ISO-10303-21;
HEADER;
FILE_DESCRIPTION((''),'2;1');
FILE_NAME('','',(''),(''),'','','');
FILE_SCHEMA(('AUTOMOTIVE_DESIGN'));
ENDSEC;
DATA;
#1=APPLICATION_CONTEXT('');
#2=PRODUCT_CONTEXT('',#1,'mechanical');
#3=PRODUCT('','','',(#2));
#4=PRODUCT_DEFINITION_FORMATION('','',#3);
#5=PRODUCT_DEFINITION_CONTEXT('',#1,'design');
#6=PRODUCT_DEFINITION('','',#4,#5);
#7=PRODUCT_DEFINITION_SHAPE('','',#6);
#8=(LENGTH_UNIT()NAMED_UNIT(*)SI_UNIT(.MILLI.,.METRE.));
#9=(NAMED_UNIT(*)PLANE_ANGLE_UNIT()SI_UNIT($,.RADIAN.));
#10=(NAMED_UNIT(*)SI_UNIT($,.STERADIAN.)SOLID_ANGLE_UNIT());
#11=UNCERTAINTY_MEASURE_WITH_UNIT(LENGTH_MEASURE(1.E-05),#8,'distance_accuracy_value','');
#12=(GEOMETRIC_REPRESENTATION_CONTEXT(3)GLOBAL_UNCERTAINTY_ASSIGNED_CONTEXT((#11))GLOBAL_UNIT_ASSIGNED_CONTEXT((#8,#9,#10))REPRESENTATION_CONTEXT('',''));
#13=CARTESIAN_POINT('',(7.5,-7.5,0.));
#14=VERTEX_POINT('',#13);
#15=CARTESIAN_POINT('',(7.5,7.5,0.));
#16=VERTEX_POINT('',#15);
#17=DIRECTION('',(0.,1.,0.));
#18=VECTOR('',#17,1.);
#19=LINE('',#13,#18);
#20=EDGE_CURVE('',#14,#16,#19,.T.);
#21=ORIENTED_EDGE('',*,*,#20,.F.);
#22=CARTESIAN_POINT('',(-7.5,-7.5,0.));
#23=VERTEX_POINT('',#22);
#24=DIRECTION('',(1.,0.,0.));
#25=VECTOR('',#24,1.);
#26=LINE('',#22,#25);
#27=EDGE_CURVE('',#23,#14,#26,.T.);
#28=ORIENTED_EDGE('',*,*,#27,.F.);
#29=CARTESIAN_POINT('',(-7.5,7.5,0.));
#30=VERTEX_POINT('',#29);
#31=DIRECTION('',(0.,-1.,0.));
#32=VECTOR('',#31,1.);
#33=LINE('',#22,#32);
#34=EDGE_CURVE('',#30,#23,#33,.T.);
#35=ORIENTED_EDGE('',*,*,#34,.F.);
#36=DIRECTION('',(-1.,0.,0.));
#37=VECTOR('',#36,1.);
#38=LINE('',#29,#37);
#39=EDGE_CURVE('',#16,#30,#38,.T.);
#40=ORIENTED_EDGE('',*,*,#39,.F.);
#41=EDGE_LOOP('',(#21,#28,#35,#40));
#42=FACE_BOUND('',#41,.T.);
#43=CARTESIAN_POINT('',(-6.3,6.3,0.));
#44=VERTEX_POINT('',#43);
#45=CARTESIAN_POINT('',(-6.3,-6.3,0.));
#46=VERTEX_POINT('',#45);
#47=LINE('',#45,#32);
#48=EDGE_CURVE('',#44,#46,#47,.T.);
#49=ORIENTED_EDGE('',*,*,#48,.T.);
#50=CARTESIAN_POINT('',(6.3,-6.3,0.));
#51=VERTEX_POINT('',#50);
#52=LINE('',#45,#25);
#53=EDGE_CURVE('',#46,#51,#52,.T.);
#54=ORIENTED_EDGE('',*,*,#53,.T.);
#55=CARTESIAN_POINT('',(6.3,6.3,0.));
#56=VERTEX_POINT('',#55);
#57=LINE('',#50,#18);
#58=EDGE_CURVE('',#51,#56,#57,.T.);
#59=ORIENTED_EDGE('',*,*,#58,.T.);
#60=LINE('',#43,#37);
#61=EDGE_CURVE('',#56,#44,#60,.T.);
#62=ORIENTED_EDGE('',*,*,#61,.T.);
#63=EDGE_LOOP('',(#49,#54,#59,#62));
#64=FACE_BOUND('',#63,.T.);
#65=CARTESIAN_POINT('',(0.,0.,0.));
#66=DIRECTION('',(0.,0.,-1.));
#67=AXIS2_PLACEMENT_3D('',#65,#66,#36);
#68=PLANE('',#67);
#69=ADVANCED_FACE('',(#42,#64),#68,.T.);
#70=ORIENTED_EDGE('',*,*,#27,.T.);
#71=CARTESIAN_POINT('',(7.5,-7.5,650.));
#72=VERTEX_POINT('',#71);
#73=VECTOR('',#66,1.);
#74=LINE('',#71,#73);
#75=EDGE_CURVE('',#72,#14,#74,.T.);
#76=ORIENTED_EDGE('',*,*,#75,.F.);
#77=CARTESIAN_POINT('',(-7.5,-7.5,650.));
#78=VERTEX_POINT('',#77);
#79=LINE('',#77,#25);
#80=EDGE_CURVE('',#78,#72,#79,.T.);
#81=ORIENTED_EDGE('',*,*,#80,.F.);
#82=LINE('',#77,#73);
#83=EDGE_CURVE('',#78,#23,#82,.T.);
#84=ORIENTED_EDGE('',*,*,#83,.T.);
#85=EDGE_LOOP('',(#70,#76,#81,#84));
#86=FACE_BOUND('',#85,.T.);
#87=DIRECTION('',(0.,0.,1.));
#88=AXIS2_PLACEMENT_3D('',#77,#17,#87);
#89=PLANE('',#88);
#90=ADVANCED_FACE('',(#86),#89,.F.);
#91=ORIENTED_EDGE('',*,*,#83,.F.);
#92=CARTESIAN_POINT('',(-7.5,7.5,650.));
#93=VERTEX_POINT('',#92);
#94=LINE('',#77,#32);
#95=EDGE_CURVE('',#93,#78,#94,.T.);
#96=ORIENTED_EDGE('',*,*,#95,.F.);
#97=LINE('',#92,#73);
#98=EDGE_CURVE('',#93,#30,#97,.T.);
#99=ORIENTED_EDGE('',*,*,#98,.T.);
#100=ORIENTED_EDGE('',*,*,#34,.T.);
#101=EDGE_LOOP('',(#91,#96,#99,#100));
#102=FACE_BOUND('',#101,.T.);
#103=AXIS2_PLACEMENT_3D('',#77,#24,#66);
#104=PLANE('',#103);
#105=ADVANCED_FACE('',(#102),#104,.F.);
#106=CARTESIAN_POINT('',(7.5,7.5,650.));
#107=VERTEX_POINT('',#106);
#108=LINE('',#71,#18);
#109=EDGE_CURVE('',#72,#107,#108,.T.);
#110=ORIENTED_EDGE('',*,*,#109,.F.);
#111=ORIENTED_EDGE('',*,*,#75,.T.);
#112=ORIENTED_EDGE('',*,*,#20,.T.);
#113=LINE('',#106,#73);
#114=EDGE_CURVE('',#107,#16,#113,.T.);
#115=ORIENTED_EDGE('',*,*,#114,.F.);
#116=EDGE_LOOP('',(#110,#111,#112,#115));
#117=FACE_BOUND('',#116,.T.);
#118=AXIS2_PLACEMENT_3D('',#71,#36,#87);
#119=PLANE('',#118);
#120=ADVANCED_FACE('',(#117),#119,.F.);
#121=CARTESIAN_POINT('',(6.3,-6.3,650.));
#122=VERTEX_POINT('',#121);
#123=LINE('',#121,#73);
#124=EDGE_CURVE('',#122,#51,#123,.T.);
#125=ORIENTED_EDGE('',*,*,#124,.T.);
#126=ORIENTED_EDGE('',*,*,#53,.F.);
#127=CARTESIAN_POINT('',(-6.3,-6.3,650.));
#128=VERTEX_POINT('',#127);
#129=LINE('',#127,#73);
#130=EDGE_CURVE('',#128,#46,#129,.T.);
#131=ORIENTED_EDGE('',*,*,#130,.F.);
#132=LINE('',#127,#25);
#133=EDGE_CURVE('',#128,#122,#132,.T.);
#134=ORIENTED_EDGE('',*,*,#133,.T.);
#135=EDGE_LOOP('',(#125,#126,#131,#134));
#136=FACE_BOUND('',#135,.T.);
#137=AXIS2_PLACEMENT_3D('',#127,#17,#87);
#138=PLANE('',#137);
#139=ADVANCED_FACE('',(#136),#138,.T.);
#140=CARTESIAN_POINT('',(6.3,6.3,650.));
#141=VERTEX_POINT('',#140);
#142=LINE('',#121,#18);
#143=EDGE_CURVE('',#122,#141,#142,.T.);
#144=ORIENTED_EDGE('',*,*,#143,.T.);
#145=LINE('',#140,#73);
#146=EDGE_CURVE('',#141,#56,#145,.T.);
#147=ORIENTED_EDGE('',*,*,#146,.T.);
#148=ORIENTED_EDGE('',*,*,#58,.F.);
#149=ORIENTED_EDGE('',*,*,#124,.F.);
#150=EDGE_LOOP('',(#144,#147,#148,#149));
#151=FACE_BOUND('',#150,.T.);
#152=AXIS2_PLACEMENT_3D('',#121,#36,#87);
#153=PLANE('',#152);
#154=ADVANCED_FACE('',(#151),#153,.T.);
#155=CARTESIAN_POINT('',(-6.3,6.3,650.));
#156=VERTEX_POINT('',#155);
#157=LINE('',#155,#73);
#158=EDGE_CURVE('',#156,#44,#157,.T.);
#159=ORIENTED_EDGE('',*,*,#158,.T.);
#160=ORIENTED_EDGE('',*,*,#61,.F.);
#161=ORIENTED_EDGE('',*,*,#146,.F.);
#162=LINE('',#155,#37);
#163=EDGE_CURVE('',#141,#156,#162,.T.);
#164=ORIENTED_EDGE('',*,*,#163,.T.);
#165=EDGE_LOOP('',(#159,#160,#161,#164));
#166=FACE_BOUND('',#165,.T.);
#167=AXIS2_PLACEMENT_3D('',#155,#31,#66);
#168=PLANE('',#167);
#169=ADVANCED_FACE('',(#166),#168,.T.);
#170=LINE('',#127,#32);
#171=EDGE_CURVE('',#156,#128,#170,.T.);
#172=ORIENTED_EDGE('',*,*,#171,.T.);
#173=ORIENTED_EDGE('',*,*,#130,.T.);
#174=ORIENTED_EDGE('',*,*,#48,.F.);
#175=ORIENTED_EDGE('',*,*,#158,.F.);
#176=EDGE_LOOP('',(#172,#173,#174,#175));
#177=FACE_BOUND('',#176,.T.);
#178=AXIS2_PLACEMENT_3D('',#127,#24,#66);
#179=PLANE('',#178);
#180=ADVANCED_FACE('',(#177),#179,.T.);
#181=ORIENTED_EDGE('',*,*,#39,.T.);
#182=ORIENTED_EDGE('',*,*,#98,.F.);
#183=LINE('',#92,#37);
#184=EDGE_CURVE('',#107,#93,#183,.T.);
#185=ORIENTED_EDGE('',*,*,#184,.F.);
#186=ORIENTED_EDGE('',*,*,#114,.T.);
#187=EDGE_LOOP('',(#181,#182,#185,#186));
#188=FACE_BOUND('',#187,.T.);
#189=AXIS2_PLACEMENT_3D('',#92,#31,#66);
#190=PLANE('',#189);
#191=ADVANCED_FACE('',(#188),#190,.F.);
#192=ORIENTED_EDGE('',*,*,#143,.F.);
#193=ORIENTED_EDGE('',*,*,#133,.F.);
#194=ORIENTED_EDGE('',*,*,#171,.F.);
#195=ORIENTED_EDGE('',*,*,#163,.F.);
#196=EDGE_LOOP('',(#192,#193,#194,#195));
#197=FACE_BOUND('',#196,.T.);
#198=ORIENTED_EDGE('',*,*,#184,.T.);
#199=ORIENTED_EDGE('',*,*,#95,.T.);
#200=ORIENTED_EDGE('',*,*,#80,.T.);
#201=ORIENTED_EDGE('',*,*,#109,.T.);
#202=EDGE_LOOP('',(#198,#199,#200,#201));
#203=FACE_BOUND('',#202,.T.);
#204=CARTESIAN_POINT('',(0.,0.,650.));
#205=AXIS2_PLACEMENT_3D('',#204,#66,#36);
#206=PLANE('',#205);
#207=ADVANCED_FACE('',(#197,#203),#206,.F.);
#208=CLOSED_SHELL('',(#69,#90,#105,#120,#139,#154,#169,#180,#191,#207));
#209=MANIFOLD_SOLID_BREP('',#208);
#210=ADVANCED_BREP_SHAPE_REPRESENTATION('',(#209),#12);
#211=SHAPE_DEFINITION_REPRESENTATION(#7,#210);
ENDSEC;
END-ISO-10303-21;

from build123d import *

# Parameters (mm, degrees)
SKETCH_1_W      = 15
SKETCH_1_H      = 15
SKETCH_1_W_2    = 12.6
SKETCH_1_H_2    = 12.6
EXTRUDE_1_DEPTH = 650


with BuildPart() as part:
    # 草图1 → 凸台-拉伸1 (new body)
    with BuildSketch(Plane.XY):
        Rectangle(SKETCH_1_W, SKETCH_1_H)
        Rectangle(SKETCH_1_W_2, SKETCH_1_H_2, mode=Mode.SUBTRACT)
    extrude(amount=EXTRUDE_1_DEPTH)


solid = part.part
